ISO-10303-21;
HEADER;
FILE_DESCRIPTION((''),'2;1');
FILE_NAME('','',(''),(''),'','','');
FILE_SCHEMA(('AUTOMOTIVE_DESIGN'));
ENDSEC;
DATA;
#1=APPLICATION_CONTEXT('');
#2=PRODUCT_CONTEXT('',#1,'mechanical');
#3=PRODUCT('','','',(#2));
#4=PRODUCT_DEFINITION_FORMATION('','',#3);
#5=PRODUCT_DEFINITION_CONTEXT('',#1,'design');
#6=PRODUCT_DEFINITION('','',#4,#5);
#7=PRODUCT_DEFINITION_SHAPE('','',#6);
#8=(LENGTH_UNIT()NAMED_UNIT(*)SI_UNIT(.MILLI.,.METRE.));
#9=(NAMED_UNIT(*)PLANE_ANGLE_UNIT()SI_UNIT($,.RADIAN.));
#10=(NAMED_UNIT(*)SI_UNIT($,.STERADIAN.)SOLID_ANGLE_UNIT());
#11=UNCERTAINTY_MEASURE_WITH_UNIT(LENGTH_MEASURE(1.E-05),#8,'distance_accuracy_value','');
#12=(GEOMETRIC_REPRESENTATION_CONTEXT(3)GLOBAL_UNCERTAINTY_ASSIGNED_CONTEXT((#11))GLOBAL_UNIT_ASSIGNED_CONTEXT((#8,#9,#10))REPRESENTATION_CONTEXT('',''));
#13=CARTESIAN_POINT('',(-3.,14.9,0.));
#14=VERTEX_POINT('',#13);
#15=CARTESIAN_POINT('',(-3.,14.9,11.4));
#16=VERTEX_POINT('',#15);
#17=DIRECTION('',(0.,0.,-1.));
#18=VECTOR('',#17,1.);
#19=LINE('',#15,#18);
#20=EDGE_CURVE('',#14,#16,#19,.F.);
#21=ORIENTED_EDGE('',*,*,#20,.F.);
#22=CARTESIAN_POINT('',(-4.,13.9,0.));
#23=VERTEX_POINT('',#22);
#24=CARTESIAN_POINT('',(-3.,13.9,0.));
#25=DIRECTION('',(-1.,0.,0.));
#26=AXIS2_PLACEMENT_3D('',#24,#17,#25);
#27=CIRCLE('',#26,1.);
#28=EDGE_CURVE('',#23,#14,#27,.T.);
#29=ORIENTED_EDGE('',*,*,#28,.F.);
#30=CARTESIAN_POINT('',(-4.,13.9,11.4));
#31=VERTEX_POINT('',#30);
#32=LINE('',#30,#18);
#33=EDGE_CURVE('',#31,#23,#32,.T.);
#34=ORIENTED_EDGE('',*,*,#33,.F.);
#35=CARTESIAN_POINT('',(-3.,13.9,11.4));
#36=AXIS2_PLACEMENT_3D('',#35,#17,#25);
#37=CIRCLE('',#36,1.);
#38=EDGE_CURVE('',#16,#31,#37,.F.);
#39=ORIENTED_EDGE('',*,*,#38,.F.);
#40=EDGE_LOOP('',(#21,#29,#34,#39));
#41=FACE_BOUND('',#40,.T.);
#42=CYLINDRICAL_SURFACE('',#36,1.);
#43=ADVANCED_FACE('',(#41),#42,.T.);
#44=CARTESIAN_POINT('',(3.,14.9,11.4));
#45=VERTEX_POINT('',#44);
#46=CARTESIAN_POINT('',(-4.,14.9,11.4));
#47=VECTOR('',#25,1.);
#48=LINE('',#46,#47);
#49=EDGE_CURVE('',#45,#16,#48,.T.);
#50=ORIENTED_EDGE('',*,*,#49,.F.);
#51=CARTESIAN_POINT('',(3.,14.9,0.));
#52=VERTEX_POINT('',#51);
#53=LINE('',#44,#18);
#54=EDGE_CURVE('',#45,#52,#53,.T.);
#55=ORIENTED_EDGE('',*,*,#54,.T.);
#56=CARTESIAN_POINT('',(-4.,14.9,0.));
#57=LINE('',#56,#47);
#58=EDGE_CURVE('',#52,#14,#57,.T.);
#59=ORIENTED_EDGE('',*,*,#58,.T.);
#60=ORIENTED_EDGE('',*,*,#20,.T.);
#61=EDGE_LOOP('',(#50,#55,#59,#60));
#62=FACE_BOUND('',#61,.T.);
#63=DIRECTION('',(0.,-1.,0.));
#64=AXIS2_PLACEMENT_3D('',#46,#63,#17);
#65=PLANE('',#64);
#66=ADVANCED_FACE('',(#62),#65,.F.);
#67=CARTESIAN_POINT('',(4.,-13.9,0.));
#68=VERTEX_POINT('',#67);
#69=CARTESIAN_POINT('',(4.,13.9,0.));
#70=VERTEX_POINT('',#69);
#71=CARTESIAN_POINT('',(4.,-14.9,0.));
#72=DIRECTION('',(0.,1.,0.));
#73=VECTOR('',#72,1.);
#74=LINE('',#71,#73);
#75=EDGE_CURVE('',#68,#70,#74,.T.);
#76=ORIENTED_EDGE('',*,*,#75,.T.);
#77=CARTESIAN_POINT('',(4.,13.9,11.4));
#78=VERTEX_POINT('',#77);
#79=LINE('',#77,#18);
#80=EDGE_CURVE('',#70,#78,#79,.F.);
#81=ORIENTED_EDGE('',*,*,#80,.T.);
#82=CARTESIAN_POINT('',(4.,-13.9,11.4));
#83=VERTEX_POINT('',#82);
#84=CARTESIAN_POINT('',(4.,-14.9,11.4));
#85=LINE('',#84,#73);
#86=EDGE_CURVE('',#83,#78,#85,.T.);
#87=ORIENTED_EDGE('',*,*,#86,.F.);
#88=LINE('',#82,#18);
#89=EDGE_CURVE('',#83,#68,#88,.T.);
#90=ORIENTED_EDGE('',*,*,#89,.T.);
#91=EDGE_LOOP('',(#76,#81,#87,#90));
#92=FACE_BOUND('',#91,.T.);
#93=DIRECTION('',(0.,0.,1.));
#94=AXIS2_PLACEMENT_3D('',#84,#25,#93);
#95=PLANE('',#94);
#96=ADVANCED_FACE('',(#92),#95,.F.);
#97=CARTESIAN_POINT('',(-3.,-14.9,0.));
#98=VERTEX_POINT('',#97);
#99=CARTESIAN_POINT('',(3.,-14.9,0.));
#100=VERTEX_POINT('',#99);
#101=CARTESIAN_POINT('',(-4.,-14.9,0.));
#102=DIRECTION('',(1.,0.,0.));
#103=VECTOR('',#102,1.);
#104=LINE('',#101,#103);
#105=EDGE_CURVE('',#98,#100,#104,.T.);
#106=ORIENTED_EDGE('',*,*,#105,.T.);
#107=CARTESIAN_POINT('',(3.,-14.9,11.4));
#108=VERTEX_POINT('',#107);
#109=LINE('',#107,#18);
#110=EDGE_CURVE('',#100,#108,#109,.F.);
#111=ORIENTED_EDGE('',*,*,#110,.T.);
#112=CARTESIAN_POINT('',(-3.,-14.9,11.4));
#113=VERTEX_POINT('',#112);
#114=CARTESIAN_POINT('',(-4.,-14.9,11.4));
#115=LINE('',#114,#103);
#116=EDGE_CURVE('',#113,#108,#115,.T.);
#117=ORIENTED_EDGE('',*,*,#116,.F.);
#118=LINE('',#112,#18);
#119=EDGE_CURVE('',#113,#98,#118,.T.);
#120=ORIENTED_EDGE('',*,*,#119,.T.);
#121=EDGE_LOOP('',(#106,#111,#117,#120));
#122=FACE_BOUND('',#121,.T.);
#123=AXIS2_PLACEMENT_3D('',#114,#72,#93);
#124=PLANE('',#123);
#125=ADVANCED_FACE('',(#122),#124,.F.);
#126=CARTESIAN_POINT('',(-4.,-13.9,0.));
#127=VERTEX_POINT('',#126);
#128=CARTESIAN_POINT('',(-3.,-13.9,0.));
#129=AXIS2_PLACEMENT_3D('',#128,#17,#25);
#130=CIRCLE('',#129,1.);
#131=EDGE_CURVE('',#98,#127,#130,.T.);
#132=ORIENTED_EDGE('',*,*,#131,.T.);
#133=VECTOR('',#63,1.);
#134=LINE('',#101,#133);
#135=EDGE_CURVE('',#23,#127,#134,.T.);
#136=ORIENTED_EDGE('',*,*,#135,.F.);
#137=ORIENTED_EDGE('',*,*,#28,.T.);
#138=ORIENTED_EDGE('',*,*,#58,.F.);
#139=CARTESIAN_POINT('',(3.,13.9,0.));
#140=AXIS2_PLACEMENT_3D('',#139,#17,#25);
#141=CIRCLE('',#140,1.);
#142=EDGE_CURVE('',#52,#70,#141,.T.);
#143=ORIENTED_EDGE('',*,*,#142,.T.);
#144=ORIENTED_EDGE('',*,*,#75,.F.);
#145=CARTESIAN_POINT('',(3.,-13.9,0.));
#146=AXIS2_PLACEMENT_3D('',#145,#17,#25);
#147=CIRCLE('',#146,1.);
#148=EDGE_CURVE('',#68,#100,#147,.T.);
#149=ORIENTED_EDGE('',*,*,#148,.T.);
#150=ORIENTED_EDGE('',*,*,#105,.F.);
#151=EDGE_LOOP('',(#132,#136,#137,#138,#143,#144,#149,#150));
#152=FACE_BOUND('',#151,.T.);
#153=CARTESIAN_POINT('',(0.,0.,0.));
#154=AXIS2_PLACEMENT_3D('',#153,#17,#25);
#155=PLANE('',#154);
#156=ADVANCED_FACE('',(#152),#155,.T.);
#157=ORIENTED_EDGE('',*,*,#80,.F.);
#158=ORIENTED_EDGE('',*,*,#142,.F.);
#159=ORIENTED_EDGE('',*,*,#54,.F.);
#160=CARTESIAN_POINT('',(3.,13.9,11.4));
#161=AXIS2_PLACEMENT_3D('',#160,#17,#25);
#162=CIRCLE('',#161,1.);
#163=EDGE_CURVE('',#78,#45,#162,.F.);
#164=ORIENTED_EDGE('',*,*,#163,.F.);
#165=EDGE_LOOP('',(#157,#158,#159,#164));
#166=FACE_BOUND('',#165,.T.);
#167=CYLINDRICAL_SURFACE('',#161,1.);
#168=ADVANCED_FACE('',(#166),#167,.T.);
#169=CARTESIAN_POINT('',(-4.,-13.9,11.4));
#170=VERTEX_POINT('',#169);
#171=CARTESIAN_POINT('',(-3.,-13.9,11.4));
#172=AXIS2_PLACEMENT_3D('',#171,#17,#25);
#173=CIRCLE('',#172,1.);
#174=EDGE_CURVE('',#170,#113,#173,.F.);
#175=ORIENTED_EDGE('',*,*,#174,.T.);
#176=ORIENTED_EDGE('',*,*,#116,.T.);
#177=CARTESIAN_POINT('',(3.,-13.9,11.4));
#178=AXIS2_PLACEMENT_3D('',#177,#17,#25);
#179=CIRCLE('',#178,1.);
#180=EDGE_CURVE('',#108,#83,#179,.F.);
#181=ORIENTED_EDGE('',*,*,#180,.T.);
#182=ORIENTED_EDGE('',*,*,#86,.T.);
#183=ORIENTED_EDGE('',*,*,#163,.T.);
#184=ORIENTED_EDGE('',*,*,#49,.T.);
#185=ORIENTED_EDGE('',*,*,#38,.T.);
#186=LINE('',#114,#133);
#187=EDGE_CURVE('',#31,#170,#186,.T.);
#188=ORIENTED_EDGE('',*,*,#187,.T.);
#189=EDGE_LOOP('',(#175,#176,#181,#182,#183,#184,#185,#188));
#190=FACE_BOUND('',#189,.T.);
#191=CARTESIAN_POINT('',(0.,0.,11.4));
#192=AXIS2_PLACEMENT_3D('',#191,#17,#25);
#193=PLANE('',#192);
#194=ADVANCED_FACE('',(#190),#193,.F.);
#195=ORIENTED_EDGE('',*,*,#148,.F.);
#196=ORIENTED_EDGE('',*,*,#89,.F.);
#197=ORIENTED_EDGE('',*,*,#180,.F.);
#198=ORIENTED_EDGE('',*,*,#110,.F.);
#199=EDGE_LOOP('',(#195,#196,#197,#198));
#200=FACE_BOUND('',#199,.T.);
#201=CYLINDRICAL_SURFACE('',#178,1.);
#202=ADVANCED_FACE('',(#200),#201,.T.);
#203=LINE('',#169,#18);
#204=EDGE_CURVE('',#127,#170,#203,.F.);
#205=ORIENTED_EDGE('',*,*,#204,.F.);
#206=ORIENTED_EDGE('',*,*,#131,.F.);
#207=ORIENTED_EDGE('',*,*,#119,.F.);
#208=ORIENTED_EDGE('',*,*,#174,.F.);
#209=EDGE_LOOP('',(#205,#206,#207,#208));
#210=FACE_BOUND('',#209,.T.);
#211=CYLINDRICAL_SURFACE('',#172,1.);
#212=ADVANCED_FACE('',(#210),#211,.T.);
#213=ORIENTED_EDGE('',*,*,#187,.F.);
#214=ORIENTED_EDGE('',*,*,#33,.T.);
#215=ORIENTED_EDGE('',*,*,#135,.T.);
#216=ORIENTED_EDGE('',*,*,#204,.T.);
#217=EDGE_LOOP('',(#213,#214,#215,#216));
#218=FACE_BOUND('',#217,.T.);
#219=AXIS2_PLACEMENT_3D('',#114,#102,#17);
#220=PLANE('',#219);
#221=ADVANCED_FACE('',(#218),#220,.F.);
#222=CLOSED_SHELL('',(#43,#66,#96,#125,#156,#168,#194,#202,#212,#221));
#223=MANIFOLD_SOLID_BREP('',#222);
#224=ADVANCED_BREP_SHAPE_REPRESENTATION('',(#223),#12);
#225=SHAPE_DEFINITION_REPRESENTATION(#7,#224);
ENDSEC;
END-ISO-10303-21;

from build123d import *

# Parameters (mm, degrees)
CROQUIS1_W              = 8
CROQUIS1_H              = 29.8
SALIENTE_EXTRUIR1_DEPTH = 11.4
REDONDEO2_R             = 1


with BuildPart() as part:
    # Croquis1 → Saliente-Extruir1 (new body)
    with BuildSketch(Plane.XY):
        Rectangle(CROQUIS1_W, CROQUIS1_H)
    extrude(amount=SALIENTE_EXTRUIR1_DEPTH)

    # Redondeo2
    redondeo2_edges = [part.edges().sort_by_distance(p)[0] for p in [
        (4, -14.9, 5.7),
        (-4, -14.9, 5.7),
        (-4, 14.9, 5.7),
        (4, 14.9, 5.7),
    ]]
    fillet(redondeo2_edges, radius=REDONDEO2_R)


solid = part.part
